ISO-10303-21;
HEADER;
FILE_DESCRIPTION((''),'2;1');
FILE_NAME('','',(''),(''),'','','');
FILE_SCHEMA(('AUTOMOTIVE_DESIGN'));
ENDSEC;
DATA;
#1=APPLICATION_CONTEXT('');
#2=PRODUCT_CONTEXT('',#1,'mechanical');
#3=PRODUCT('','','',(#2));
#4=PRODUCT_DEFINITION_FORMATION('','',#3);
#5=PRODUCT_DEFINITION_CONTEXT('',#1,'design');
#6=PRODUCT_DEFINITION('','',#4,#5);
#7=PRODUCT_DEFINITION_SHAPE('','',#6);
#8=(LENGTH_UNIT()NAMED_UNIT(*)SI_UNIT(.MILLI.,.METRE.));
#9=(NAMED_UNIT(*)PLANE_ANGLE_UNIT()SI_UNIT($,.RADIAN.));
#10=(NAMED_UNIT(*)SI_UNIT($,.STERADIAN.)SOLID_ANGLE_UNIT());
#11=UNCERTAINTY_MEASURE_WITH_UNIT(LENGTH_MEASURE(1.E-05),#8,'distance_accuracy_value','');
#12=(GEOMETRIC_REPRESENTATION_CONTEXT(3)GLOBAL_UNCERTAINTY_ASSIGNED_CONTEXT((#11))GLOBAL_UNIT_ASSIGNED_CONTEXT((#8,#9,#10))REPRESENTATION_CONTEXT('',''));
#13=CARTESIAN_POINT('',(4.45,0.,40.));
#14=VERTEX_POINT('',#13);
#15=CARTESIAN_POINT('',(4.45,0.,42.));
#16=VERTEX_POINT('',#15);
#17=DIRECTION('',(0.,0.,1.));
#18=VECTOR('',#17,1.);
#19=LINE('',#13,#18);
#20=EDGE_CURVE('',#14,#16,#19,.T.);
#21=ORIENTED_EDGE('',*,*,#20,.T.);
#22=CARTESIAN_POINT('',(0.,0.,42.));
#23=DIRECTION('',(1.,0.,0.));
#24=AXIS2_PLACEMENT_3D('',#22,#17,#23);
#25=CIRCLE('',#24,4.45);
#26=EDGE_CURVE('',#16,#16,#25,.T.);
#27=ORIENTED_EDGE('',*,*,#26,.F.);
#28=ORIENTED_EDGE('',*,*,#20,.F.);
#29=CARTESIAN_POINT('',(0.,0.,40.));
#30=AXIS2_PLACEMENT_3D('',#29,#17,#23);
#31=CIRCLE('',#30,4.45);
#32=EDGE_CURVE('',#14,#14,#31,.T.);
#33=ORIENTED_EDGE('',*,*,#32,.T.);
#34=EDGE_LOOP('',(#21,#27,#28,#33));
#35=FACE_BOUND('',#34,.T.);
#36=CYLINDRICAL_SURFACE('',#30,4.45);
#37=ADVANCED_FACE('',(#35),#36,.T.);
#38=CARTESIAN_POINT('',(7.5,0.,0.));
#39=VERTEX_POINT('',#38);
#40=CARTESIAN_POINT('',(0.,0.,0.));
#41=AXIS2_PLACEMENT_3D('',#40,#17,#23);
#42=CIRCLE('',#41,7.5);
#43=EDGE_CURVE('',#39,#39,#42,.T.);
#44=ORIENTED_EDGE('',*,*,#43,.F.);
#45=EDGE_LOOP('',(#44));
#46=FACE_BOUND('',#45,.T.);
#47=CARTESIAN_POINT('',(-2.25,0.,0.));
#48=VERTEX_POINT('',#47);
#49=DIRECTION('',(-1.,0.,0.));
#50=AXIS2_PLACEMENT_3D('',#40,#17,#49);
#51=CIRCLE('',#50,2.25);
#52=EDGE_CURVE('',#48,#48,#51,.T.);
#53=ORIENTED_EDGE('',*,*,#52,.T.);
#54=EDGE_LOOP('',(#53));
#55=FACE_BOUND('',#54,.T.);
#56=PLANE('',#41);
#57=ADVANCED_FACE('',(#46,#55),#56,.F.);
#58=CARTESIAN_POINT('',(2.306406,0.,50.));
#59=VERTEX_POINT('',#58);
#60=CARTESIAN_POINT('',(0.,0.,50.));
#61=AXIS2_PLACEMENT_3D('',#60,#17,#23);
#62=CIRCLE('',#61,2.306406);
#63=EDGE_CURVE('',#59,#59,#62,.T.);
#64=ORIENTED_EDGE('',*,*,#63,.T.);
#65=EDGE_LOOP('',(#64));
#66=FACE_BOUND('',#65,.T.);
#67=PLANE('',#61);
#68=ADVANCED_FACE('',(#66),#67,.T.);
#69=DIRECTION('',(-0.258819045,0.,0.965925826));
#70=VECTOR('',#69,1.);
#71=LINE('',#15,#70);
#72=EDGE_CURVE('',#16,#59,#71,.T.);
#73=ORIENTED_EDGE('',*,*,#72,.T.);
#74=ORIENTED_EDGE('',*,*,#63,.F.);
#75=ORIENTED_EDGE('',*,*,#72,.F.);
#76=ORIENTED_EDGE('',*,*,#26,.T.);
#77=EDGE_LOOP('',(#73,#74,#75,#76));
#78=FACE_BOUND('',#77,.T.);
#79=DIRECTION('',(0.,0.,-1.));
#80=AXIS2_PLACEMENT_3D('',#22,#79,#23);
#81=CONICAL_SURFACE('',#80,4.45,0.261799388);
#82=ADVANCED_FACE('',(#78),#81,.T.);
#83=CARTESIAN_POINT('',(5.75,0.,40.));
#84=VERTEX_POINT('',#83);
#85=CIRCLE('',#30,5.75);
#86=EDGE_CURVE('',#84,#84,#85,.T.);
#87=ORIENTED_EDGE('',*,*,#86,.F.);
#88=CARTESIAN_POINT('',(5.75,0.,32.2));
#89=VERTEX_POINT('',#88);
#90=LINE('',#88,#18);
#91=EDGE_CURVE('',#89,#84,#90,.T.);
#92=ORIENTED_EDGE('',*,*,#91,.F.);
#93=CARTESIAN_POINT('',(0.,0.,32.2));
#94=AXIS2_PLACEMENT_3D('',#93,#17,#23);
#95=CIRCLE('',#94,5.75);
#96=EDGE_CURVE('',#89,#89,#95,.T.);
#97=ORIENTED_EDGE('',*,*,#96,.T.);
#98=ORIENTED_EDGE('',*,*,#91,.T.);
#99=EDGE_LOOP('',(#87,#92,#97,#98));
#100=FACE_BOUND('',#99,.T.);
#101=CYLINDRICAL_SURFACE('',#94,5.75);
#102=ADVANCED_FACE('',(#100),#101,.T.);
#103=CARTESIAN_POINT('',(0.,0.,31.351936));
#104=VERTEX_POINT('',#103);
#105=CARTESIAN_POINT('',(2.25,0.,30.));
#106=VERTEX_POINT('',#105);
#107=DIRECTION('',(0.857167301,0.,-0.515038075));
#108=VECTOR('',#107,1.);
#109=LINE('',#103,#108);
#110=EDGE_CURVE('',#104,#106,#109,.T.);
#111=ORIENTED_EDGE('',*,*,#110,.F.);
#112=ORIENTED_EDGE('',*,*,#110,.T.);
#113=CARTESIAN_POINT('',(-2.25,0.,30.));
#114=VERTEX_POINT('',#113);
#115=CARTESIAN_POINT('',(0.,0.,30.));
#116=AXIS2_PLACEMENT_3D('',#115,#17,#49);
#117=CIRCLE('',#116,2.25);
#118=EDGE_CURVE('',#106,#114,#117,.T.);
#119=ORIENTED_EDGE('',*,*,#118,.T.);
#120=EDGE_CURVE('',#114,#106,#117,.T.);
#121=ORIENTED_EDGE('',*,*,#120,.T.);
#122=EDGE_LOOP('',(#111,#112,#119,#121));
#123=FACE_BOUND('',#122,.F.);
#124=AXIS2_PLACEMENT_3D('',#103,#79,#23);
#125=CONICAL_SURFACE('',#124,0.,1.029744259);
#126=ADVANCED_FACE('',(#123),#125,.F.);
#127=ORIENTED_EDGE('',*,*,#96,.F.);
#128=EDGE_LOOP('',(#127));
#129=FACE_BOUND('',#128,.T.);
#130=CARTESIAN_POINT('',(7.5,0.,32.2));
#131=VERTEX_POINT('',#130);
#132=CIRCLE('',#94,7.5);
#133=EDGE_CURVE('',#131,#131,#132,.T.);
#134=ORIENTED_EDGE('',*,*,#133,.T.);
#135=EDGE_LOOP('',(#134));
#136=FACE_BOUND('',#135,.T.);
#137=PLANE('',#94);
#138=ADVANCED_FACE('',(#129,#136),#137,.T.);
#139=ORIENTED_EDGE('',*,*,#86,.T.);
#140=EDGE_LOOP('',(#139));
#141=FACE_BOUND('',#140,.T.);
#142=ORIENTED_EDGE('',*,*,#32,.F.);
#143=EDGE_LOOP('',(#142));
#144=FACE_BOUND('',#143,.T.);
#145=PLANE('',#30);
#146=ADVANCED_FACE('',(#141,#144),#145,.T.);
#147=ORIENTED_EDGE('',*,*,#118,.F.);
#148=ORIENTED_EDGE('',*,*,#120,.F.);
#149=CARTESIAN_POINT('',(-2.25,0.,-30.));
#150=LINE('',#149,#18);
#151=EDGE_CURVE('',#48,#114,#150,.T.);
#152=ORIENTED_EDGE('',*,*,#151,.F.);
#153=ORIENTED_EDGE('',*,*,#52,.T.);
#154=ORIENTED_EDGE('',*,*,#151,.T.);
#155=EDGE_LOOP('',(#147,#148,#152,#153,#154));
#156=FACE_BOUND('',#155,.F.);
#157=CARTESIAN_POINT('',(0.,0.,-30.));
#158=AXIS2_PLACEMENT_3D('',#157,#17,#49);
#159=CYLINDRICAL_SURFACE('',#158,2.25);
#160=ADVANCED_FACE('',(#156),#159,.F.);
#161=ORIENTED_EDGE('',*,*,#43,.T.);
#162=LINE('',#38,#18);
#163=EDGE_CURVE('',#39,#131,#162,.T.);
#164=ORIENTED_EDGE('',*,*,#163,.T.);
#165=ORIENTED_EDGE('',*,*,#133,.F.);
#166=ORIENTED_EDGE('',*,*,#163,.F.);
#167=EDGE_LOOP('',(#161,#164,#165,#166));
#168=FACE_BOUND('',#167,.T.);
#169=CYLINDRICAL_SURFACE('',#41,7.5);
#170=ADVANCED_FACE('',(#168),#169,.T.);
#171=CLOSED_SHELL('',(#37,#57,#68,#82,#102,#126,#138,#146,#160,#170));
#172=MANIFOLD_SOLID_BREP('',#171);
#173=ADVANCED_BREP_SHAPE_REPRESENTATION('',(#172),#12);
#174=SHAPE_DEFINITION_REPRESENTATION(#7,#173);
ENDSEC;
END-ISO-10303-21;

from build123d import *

# Parameters (mm, degrees)
F2_SIZE2 = 2.1435935394
F2_SIZE  = 8
F4_D     = 4.5
F4_DEPTH = 30
F4_TIP   = 1.3519363928


with BuildPart() as f1:
    # F0 (on Front) → F1 (revolve)
    with BuildSketch(Plane.XZ):
        Polygon((0, 50), (0, 0), (7.5, 0), (7.5, 32.2), (5.75, 32.2), (5.75, 40), (4.45, 40), (4.45, 50), align=None)
    revolve(axis=Axis((0, 0, 25), (0, 0, 1)))

    # F2
    f2_edges = [f1.edges().sort_by_distance(p)[0] for p in [
        (-4.45, 0, 50),
    ]]
    chamfer(f2_edges, length=F2_SIZE, length2=F2_SIZE2)

    # F4
    with Locations(Plane(origin=(0, 0, 0), x_dir=(1, 0, 0), z_dir=(0, 0, -1))):
        with Locations((0, 0)):
            Hole(F4_D / 2, depth=F4_DEPTH)
            with Locations((0, 0, -(F4_DEPTH + F4_TIP / 2))):  # 118° drill point
                Cone(0, F4_D / 2, F4_TIP, mode=Mode.SUBTRACT)


solid = f1.part
